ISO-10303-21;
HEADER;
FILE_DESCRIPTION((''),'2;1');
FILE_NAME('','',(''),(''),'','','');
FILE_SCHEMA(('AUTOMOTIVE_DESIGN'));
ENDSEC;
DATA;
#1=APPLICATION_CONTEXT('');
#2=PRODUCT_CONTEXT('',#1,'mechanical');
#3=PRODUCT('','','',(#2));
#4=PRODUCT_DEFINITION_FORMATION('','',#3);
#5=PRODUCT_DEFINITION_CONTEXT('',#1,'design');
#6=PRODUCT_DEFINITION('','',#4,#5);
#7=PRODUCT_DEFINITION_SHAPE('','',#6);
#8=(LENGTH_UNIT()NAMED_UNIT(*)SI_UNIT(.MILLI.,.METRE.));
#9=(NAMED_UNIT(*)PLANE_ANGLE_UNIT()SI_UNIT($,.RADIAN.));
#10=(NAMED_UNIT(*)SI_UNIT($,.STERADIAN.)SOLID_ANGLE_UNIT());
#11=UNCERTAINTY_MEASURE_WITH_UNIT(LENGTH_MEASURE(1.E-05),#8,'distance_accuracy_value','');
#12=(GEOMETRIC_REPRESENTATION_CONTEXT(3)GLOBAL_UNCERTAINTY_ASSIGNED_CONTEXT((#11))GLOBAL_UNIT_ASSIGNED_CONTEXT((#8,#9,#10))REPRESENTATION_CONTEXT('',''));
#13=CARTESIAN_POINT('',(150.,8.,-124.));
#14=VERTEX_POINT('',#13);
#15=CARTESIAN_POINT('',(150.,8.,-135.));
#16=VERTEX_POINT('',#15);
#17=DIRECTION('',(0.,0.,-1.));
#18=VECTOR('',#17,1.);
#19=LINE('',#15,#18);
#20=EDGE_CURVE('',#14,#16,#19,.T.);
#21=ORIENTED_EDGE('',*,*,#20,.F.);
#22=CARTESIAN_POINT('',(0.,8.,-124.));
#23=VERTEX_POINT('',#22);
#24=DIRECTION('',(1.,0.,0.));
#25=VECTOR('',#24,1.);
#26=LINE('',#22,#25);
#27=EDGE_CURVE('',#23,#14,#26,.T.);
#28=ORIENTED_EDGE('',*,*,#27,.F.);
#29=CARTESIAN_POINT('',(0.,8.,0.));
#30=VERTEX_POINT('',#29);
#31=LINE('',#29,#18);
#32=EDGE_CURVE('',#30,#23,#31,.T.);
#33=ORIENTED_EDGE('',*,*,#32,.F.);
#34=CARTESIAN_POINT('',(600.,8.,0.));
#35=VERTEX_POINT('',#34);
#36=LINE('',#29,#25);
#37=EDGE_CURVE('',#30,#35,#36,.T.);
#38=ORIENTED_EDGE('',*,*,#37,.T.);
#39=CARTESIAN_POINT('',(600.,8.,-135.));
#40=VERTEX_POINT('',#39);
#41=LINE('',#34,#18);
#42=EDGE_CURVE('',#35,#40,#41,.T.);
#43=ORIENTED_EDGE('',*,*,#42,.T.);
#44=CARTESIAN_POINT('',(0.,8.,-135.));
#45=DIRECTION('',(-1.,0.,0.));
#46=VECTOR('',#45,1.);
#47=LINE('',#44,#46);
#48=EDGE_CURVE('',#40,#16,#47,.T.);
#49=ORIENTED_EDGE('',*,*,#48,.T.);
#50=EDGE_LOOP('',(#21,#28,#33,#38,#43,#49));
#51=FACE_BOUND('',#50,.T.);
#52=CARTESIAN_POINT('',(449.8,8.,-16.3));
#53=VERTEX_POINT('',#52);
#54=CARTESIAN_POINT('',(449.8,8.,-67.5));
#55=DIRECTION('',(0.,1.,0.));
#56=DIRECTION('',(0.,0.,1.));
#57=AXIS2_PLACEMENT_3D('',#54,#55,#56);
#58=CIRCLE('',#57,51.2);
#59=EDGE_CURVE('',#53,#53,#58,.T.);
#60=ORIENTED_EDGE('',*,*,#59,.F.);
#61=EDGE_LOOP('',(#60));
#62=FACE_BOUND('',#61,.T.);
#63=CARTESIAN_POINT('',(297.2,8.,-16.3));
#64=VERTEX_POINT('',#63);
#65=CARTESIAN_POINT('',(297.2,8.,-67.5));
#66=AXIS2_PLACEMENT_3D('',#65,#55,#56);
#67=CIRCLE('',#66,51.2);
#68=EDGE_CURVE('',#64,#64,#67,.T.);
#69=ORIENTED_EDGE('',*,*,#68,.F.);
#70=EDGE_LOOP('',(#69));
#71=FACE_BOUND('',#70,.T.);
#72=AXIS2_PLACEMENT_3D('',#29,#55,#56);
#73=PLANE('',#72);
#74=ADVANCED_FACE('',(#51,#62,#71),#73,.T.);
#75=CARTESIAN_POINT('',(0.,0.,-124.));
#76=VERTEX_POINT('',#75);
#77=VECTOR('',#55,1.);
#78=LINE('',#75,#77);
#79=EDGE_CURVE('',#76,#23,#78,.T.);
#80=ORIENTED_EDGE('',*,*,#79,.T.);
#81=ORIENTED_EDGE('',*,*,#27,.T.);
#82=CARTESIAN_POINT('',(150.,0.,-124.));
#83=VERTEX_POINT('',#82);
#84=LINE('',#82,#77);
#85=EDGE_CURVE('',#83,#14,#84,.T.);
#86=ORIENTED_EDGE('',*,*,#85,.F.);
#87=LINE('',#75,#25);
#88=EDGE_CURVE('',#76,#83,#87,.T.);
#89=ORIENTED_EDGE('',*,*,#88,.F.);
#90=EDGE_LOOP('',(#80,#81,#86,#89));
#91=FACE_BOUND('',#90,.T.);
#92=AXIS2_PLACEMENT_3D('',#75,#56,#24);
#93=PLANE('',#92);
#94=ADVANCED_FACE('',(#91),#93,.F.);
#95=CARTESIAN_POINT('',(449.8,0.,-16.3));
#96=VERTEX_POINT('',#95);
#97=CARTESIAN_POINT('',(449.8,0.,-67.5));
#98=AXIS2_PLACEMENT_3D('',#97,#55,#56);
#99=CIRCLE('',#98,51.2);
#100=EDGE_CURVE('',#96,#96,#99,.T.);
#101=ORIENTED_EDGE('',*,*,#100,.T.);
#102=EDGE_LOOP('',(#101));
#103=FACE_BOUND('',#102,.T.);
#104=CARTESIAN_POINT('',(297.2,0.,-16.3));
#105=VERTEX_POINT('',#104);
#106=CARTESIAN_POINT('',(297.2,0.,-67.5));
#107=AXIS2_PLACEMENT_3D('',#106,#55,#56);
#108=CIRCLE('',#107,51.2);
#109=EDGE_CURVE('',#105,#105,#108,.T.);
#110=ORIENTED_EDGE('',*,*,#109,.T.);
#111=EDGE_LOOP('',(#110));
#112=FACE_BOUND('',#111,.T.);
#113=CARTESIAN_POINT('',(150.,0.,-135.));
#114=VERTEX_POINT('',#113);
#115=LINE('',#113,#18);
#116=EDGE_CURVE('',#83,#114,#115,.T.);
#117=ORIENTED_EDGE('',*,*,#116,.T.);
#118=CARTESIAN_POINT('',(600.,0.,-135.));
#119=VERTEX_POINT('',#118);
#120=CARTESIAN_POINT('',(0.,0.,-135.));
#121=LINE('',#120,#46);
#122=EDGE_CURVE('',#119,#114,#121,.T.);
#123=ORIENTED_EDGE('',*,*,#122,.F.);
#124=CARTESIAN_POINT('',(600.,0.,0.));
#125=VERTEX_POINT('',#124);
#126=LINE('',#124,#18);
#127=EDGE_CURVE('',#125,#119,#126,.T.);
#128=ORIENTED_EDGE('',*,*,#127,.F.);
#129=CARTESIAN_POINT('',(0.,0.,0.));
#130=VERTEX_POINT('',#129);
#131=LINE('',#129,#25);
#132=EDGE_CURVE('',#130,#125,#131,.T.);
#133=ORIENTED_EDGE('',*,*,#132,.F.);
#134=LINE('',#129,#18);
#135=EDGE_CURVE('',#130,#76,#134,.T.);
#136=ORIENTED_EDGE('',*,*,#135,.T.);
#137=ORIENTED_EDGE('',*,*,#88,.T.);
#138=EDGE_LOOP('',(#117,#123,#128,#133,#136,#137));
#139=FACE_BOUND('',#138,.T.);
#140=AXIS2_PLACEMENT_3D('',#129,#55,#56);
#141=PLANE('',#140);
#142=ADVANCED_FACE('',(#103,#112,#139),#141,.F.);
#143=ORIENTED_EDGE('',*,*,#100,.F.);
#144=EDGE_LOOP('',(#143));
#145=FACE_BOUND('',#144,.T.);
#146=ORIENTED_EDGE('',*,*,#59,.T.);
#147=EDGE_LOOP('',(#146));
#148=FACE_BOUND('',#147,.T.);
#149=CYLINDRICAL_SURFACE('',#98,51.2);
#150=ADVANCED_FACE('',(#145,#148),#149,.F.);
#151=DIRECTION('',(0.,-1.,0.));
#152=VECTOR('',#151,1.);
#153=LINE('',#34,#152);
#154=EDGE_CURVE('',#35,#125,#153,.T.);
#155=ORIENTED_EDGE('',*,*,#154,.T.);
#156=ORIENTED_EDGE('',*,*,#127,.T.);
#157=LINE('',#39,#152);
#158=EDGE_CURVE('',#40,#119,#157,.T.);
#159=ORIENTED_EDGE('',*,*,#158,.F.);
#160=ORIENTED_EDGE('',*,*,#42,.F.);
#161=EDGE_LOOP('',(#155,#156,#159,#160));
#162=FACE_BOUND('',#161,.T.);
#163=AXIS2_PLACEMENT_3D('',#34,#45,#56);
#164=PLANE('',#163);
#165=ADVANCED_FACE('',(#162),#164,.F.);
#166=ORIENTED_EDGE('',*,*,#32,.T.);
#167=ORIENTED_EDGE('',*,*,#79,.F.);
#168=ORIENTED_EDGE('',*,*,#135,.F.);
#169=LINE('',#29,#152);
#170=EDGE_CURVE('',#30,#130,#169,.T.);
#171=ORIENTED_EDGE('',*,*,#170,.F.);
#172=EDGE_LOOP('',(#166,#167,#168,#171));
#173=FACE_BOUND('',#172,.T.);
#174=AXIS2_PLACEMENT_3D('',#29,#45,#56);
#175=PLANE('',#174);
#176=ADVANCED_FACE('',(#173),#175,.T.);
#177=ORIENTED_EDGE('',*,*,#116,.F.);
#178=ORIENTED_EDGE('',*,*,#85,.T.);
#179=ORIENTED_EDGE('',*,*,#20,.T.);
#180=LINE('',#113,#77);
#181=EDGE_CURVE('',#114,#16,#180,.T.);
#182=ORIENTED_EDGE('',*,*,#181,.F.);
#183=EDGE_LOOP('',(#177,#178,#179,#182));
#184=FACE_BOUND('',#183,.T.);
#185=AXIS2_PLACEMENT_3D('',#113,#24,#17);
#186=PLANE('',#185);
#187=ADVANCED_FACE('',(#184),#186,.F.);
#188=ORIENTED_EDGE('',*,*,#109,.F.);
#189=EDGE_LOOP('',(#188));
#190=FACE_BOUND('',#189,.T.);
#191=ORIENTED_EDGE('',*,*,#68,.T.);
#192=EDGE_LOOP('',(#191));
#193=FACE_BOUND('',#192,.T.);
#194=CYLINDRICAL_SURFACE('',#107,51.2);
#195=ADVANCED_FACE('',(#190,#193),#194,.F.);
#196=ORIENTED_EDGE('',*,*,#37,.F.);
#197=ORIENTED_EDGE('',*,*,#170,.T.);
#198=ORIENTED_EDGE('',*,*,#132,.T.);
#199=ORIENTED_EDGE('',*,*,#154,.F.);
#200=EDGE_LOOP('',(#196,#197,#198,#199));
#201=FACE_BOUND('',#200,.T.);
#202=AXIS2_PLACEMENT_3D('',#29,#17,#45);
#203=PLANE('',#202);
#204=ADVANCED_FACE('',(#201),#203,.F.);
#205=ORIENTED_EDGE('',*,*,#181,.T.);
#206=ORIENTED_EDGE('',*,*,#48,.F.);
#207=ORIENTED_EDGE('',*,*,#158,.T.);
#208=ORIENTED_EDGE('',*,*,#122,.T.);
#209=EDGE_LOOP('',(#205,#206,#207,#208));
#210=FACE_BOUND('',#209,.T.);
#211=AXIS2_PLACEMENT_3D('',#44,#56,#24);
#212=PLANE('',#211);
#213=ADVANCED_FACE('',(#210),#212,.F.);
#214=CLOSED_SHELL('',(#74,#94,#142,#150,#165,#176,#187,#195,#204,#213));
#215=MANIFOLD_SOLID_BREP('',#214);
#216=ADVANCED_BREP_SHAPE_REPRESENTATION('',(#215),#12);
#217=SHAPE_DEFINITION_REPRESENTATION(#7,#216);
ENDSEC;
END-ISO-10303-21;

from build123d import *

# Parameters (mm, degrees)
SKETCH2_W           = 600
SKETCH2_H           = 135
BOSS_EXTRUDE1_DEPTH = 8
SKETCH3_R           = 51.2
SKETCH3_W           = 150
SKETCH3_H           = 11
CUT_EXTRUDE1_DEPTH  = 8


with BuildPart() as part:
    # Sketch2 → Boss-Extrude1 (new body)
    with BuildSketch(Plane(origin=(0, 0, 0), x_dir=(1, 0, 0), z_dir=(0, 1, 0))):
        with Locations((300, 67.5)):
            Rectangle(SKETCH2_W, SKETCH2_H)
    extrude(amount=BOSS_EXTRUDE1_DEPTH)

    # Sketch3 → Cut-Extrude1 (cut)
    with BuildSketch(Plane(origin=(0, 8, 0), x_dir=(1, 0, 0), z_dir=(0, 1, 0))):
        with Locations((449.8, 67.5)):
            Circle(SKETCH3_R)
        with Locations((297.2, 67.5)):
            Circle(SKETCH3_R)
        with Locations((75, 129.5)):
            Rectangle(SKETCH3_W, SKETCH3_H)
    extrude(amount=-CUT_EXTRUDE1_DEPTH, mode=Mode.SUBTRACT)


solid = part.part
